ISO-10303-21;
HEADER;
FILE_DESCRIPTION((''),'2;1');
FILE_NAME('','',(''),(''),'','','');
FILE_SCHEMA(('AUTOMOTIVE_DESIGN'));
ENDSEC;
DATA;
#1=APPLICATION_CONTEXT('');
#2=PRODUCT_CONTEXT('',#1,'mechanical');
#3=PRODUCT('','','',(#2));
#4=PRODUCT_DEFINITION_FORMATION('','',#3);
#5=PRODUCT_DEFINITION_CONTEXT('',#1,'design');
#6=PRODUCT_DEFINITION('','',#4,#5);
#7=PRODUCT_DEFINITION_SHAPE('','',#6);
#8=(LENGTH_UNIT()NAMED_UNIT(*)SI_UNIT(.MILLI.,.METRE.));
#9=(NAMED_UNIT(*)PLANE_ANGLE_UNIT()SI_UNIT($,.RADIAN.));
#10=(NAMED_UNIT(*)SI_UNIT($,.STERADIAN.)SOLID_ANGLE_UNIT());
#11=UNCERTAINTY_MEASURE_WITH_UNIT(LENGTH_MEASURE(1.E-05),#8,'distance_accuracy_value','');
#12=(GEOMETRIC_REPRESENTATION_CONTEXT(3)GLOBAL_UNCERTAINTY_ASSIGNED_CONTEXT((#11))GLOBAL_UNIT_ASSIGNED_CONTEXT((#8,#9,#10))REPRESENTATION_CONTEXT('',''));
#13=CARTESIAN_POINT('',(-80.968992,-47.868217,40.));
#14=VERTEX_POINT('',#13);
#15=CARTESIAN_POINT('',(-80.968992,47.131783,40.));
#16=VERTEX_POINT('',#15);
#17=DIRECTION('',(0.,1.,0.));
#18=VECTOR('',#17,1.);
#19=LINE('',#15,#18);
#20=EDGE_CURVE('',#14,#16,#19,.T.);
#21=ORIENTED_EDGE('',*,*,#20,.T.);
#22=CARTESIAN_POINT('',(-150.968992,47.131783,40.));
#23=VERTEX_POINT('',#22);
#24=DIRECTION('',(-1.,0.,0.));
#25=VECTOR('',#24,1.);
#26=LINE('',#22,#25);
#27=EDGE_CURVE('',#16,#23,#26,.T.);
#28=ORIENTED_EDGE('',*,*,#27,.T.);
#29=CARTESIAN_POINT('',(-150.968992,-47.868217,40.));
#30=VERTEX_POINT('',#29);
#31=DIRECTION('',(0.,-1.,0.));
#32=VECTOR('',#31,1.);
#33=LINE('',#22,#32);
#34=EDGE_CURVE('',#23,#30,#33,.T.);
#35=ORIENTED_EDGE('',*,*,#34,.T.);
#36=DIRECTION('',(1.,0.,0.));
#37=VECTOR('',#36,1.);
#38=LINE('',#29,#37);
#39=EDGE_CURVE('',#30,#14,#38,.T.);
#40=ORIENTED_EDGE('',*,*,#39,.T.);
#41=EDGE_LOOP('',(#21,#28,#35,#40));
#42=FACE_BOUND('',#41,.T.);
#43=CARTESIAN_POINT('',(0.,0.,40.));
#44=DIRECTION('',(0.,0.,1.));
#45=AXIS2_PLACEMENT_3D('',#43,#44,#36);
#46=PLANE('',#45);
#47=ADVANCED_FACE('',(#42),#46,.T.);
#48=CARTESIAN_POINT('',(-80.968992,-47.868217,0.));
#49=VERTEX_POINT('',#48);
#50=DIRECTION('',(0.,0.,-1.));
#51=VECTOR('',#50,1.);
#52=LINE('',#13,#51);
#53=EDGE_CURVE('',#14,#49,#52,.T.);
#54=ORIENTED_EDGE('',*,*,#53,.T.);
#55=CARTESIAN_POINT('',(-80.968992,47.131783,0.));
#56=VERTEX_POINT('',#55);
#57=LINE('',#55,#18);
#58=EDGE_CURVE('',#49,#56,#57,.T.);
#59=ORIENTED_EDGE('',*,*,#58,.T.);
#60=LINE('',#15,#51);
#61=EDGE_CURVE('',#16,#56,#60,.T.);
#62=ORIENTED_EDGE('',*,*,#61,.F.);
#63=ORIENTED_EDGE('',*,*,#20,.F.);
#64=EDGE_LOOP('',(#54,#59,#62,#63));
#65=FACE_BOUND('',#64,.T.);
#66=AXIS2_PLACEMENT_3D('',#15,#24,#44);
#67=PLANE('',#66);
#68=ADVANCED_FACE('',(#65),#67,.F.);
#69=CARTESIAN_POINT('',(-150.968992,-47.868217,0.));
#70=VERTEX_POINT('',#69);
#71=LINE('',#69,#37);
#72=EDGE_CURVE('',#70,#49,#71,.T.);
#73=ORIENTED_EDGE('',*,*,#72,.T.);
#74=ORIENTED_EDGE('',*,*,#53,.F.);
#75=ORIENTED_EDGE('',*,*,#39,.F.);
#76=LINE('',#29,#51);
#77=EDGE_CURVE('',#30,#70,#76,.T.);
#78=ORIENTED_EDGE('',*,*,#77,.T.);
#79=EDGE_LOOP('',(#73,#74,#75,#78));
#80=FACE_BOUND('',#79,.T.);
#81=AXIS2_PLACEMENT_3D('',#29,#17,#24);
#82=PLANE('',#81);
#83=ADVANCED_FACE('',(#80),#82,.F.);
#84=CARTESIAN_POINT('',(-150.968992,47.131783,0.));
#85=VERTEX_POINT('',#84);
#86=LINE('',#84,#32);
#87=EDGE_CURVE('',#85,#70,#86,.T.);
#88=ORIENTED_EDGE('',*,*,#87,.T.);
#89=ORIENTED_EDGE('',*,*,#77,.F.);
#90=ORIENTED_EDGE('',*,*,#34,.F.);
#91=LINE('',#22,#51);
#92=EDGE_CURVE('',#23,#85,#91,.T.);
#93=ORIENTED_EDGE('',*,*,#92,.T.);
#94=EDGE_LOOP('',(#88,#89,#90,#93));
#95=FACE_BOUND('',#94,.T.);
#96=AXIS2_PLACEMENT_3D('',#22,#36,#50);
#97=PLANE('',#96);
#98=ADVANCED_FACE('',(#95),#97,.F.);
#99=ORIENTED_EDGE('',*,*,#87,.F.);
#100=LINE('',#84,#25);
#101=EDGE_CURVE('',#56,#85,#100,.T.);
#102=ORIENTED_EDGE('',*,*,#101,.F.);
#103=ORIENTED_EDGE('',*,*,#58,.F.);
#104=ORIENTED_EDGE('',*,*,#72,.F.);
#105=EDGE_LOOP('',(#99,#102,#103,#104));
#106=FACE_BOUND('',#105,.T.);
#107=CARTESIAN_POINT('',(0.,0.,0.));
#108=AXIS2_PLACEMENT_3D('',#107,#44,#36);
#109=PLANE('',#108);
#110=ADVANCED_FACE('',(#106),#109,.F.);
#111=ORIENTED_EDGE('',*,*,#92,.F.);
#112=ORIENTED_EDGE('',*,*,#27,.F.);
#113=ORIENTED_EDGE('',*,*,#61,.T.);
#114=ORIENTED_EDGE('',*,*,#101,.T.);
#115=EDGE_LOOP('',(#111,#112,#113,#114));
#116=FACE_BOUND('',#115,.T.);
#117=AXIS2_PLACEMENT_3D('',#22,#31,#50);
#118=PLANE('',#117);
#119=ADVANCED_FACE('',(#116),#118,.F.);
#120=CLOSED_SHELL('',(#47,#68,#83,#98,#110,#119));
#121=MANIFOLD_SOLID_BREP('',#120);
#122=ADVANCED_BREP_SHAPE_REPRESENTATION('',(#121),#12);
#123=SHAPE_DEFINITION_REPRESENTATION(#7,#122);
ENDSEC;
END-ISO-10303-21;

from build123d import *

# Parameters (mm, degrees)
ESQUISSE1_W        = 70
ESQUISSE1_H        = 95
BOSS_EXTRU_1_DEPTH = 40


with BuildPart() as part:
    # Esquisse1 → Boss.-Extru.1 (new body)
    with BuildSketch(Plane.XY):
        with Locations((-115.968992248, -0.368217054)):
            Rectangle(ESQUISSE1_W, ESQUISSE1_H)
    extrude(amount=BOSS_EXTRU_1_DEPTH)


solid = part.part
